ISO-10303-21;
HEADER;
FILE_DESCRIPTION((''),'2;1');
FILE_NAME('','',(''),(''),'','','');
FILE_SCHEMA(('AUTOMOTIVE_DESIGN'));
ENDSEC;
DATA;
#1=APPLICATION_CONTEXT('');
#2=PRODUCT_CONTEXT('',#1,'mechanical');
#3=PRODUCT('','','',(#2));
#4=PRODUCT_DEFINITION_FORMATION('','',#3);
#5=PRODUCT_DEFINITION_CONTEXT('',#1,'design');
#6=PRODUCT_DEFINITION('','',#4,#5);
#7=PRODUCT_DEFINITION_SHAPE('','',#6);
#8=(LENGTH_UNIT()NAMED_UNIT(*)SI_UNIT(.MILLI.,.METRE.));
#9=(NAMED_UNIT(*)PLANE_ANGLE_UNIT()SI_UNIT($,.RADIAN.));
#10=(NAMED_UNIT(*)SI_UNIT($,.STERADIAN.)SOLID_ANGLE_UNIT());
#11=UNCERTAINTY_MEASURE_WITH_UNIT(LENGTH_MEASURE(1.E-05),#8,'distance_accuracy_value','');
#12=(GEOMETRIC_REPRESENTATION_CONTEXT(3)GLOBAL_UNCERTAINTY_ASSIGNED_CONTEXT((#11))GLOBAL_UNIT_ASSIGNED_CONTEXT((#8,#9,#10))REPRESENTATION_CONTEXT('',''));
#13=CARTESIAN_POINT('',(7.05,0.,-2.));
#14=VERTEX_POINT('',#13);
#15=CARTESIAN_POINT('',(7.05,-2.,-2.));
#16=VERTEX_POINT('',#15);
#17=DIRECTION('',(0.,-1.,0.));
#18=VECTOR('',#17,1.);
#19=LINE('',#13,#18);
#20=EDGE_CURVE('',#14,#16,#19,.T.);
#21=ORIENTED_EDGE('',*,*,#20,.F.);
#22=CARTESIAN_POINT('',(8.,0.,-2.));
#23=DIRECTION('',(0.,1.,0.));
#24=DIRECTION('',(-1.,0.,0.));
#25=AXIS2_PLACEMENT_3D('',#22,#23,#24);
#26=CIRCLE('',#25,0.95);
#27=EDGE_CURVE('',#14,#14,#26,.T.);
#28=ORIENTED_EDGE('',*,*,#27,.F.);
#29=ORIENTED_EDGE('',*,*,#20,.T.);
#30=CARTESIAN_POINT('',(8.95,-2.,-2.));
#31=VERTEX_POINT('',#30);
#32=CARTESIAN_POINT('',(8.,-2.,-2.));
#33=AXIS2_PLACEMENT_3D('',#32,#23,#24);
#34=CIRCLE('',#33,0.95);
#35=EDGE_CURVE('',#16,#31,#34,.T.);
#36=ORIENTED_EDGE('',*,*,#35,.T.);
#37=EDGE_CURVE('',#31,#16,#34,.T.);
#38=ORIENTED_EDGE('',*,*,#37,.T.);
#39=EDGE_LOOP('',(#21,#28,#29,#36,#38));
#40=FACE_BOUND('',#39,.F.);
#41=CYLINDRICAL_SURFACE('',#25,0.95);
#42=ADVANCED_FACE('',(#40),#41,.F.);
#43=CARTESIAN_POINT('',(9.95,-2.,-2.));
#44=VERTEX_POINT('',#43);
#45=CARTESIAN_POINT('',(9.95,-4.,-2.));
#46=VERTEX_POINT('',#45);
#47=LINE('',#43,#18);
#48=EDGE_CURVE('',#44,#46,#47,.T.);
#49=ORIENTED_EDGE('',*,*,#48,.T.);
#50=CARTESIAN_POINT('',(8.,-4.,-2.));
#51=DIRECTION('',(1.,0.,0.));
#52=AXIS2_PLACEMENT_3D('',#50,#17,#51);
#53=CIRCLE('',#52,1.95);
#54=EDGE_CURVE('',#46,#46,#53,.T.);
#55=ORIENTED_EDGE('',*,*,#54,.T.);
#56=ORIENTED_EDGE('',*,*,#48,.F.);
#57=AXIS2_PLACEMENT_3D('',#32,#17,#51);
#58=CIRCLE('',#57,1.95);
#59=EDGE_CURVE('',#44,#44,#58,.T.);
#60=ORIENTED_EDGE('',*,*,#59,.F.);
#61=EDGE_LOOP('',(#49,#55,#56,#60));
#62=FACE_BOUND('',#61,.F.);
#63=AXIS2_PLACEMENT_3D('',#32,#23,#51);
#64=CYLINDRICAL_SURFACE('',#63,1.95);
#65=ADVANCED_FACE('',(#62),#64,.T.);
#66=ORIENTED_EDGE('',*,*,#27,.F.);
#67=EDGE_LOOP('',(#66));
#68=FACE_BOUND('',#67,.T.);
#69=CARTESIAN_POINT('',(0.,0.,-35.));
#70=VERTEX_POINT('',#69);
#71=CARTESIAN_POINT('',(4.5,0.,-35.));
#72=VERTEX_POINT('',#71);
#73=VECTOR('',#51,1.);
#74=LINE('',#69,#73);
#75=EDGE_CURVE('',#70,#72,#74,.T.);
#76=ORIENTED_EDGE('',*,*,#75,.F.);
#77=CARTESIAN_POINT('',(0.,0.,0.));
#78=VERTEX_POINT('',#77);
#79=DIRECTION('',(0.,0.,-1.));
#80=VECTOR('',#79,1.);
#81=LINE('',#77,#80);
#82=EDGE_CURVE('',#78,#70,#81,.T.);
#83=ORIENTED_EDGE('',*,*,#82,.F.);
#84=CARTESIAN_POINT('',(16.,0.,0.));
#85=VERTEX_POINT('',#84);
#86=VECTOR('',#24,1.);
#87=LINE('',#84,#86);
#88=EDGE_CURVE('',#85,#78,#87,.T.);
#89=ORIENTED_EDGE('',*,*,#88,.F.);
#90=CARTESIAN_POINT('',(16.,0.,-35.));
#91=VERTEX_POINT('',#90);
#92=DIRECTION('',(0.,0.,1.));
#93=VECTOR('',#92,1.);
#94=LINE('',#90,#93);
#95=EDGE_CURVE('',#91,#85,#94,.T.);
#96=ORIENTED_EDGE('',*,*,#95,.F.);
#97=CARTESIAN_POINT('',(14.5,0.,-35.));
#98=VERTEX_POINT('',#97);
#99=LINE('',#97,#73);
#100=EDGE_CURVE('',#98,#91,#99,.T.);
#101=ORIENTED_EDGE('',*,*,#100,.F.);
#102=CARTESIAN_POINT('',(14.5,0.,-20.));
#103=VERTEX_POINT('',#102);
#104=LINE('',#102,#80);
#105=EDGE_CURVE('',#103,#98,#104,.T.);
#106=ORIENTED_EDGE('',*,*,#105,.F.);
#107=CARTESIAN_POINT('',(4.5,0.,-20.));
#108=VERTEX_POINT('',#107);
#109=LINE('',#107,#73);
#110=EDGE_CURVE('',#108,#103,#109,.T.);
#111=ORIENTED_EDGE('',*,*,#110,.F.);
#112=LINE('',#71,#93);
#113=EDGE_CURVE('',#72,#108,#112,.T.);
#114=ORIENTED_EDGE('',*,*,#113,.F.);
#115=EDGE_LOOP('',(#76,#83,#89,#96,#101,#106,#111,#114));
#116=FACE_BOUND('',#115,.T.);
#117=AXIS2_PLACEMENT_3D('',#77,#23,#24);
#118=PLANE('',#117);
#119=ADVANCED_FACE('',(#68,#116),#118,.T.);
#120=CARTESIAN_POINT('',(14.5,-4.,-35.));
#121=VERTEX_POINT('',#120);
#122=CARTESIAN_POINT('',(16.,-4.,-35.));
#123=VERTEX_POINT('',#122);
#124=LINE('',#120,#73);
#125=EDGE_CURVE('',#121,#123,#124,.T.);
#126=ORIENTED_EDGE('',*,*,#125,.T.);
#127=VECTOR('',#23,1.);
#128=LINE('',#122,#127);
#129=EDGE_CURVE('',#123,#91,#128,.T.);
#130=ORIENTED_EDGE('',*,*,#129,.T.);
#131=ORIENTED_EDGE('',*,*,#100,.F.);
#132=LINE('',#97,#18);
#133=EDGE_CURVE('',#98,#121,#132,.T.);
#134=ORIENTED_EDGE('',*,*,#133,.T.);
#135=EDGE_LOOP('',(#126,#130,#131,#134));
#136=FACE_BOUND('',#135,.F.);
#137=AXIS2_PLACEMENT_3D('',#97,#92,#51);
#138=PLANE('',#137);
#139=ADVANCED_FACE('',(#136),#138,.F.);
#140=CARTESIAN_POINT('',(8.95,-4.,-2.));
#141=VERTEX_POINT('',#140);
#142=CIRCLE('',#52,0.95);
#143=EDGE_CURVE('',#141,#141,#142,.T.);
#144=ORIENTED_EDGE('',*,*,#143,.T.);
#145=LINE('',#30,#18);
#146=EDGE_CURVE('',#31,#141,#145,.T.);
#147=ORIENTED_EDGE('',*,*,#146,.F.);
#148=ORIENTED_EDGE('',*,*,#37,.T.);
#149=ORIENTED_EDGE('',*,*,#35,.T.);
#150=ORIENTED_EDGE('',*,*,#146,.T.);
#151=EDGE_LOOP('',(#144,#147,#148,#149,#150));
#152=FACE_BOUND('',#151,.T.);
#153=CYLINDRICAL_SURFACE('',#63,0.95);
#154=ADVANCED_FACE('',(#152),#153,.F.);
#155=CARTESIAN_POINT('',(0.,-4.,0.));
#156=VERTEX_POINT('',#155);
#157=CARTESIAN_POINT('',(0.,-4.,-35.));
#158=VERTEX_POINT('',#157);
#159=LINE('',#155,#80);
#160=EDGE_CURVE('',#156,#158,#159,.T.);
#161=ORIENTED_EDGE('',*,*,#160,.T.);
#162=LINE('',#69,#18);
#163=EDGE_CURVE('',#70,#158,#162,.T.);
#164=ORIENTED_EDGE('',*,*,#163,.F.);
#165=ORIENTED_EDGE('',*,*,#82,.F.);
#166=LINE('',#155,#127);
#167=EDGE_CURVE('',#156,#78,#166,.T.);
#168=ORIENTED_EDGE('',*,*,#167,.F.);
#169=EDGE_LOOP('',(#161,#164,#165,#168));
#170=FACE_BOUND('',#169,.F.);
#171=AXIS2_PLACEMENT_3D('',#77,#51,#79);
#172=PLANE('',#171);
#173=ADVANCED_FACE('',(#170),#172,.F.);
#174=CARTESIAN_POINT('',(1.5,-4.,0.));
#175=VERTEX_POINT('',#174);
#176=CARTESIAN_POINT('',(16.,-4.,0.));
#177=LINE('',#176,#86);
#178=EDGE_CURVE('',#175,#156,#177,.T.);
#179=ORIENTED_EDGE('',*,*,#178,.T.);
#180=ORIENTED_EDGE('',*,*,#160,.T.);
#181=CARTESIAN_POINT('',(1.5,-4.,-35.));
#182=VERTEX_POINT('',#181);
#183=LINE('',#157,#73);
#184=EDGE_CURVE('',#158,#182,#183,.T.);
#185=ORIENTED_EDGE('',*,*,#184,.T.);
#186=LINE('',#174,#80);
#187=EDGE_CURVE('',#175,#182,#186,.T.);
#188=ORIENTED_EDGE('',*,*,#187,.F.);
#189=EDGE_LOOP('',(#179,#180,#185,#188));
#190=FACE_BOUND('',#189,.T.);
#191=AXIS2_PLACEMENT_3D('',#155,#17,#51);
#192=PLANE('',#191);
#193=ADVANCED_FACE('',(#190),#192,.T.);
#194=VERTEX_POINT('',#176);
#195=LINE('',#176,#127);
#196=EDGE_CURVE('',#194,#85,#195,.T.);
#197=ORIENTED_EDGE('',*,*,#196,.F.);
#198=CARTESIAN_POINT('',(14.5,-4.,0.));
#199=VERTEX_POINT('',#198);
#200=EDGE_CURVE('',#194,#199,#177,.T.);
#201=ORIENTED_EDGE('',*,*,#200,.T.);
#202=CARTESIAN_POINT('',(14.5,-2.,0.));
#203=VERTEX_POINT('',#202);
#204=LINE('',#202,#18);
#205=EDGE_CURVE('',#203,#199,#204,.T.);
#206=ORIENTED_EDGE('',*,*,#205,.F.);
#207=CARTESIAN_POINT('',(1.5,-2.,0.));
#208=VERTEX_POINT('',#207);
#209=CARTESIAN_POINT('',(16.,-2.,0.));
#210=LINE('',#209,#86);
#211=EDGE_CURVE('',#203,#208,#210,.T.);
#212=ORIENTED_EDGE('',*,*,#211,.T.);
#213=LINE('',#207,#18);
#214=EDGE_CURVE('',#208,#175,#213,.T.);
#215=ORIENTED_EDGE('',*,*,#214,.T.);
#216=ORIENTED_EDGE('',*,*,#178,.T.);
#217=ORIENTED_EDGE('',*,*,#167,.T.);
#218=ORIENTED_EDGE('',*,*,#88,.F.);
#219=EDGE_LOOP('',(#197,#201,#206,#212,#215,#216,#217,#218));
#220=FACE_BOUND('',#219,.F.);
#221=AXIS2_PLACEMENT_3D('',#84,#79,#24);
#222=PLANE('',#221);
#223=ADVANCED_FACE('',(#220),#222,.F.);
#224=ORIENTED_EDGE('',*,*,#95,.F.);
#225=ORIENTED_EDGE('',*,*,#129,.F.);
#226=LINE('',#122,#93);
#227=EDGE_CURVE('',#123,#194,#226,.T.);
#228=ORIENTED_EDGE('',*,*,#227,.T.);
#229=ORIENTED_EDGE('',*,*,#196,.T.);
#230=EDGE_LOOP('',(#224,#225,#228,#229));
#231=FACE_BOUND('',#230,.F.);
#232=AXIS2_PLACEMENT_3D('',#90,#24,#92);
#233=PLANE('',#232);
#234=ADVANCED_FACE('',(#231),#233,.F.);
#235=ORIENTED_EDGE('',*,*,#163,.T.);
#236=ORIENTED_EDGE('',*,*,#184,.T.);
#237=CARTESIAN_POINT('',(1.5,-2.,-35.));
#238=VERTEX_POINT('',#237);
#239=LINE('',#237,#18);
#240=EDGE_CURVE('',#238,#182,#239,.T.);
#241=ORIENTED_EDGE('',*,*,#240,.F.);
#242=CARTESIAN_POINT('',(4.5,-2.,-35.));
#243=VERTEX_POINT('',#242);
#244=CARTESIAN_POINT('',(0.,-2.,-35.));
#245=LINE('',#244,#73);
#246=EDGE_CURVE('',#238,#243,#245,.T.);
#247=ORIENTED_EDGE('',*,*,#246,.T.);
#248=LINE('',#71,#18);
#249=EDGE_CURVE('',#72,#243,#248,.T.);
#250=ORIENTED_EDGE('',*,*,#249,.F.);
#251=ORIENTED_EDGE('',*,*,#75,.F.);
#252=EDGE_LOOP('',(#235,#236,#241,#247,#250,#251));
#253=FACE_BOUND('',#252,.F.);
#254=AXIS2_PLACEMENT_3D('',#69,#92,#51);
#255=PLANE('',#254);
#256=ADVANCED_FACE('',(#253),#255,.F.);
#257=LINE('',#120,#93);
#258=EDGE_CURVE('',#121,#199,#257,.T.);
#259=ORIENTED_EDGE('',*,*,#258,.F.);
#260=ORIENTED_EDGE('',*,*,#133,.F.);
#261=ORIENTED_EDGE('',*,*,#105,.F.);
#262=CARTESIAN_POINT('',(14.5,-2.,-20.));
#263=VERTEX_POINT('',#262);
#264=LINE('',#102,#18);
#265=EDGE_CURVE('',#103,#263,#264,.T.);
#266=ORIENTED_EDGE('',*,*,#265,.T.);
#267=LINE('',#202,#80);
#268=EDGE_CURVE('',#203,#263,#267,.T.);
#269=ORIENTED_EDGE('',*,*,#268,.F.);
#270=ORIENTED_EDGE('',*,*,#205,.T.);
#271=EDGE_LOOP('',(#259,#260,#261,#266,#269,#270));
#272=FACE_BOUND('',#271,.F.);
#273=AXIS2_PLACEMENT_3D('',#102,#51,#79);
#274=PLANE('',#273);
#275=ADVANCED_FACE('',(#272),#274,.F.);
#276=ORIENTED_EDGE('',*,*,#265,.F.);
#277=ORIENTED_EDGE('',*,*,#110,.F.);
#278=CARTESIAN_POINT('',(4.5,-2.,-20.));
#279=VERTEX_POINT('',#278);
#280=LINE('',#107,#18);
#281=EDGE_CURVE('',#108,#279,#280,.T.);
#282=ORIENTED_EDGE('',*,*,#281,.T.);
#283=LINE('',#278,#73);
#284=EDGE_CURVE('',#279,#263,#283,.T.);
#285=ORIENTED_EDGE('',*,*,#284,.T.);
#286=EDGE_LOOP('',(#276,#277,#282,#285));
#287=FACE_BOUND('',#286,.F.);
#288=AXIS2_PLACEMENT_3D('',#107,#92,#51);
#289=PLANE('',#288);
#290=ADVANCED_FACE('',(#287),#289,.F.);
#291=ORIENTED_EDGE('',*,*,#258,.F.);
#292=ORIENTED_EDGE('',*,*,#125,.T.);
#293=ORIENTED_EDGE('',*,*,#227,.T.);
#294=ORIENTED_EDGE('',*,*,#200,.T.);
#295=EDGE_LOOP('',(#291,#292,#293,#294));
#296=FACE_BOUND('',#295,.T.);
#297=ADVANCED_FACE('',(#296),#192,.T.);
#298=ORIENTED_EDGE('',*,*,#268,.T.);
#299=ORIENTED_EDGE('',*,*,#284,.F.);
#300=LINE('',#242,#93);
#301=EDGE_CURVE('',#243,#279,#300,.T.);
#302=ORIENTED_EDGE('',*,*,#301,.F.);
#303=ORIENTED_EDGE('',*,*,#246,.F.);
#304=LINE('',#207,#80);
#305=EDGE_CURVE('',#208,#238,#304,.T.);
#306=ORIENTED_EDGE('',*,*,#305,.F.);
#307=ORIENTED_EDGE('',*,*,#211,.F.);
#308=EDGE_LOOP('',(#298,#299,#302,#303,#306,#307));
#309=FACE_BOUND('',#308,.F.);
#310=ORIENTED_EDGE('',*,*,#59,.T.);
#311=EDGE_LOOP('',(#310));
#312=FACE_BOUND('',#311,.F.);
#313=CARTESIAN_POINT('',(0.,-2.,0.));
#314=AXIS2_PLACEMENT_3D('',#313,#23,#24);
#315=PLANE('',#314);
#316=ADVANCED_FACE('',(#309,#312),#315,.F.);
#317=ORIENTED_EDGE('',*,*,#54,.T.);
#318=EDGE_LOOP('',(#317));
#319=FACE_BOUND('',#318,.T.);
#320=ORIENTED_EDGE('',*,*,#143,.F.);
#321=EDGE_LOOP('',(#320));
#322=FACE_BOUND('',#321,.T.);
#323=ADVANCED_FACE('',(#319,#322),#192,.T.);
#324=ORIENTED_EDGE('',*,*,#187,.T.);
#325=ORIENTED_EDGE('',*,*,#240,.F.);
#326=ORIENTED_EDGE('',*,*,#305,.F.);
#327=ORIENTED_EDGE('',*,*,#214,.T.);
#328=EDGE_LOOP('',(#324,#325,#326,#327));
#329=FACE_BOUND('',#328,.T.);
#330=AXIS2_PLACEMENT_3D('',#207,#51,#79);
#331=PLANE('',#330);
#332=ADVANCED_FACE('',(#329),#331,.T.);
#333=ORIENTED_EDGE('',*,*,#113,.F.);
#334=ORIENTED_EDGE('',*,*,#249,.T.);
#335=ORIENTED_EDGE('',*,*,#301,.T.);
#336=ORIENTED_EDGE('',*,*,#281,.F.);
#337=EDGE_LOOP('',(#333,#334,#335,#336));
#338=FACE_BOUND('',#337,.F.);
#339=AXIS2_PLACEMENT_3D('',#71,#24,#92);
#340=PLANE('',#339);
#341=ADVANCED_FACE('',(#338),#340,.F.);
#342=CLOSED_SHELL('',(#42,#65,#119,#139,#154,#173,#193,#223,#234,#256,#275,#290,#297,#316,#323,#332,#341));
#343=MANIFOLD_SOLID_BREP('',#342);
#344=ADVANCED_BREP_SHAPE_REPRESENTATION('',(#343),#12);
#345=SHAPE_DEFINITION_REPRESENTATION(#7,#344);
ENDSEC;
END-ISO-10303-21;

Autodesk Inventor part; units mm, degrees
ref_plane "YZ Plane" through (0, 0, 0) normal (1, 0, 0) x (0, 1, 0)
ref_plane "XZ Plane" through (0, 0, 0) normal (0, 1, 0) x (-1, 0, 0)
ref_plane "XY Plane" through (0, 0, 0) normal (0, 0, 1) x (1, 0, 0)
sketch "Skizze1" plane through (0, 0, 0) normal (0, 1, 0) x (-1, 0, 0)
  line L0 (0, 0) -> (0, -35)
  line L1 (0, -35) -> (-4.5, -35)
  line L2 (-4.5, -35) -> (-4.5, -20)
  line L3 (-4.5, -20) -> (-14.5, -20)
  line L4 (-14.5, -20) -> (-14.5, -35)
  line L5 (-14.5, -35) -> (-16, -35)
  line L6 (-16, -35) -> (-16, 0)
  line L7 (-16, 0) -> (0, 0)
  circle A0 centre (-8, -2) radius 0.95
  point P0 (-8, 0)
  dimension "d0" = 16
  dimension "d1" = 1.9
  dimension "d2" = 2
  dimension "d4" = 33
  dimension "d5" = 15
  dimension "d6" = 10
  dimension "d7" = 4.5
extrude "Extrusion1" add sketch "Skizze1" against normal blind 2
sketch "Skizze2" plane through (0, -2, 0) normal (0, -1, 0) x (1, 0, 0)
  line L0 (16, -35) -> (16, 0) projected
  line L1 (16, 0) -> (0, 0) projected
  line L2 (0, 0) -> (0, -35) projected
  line L3 (0, -35) -> (4.5, -35) projected
  line L4 (4.5, -35) -> (4.5, -20) projected
  line L5 (4.5, -20) -> (14.5, -20) projected
  line L6 (14.5, -20) -> (14.5, -35) projected
  line L7 (14.5, -35) -> (16, -35) projected
  circle A0 centre (8, -2) radius 0.95 projected
  circle A1 centre (8, -2) radius 1.95
  line L8 (0, 0) -> (16, 0) projected
  line L9 (1.5, 0) -> (1.5, -35)
  line L10 (0, -35) -> (4.5, -35) projected
  line L11 (14.5, -35) -> (16, -35) projected
  line L12 (14.5, -20) -> (14.5, 0)
  point P0 (14.5, 0)
  dimension "d10" = 1
  dimension "d11" = 1.5
extrude "Extrusion2" add sketch "Skizze2" along normal blind 2 contours L7 L6 L12 L1 L0 | L9 L3 L2 L1 | A1
properties part number "power_halterung"
